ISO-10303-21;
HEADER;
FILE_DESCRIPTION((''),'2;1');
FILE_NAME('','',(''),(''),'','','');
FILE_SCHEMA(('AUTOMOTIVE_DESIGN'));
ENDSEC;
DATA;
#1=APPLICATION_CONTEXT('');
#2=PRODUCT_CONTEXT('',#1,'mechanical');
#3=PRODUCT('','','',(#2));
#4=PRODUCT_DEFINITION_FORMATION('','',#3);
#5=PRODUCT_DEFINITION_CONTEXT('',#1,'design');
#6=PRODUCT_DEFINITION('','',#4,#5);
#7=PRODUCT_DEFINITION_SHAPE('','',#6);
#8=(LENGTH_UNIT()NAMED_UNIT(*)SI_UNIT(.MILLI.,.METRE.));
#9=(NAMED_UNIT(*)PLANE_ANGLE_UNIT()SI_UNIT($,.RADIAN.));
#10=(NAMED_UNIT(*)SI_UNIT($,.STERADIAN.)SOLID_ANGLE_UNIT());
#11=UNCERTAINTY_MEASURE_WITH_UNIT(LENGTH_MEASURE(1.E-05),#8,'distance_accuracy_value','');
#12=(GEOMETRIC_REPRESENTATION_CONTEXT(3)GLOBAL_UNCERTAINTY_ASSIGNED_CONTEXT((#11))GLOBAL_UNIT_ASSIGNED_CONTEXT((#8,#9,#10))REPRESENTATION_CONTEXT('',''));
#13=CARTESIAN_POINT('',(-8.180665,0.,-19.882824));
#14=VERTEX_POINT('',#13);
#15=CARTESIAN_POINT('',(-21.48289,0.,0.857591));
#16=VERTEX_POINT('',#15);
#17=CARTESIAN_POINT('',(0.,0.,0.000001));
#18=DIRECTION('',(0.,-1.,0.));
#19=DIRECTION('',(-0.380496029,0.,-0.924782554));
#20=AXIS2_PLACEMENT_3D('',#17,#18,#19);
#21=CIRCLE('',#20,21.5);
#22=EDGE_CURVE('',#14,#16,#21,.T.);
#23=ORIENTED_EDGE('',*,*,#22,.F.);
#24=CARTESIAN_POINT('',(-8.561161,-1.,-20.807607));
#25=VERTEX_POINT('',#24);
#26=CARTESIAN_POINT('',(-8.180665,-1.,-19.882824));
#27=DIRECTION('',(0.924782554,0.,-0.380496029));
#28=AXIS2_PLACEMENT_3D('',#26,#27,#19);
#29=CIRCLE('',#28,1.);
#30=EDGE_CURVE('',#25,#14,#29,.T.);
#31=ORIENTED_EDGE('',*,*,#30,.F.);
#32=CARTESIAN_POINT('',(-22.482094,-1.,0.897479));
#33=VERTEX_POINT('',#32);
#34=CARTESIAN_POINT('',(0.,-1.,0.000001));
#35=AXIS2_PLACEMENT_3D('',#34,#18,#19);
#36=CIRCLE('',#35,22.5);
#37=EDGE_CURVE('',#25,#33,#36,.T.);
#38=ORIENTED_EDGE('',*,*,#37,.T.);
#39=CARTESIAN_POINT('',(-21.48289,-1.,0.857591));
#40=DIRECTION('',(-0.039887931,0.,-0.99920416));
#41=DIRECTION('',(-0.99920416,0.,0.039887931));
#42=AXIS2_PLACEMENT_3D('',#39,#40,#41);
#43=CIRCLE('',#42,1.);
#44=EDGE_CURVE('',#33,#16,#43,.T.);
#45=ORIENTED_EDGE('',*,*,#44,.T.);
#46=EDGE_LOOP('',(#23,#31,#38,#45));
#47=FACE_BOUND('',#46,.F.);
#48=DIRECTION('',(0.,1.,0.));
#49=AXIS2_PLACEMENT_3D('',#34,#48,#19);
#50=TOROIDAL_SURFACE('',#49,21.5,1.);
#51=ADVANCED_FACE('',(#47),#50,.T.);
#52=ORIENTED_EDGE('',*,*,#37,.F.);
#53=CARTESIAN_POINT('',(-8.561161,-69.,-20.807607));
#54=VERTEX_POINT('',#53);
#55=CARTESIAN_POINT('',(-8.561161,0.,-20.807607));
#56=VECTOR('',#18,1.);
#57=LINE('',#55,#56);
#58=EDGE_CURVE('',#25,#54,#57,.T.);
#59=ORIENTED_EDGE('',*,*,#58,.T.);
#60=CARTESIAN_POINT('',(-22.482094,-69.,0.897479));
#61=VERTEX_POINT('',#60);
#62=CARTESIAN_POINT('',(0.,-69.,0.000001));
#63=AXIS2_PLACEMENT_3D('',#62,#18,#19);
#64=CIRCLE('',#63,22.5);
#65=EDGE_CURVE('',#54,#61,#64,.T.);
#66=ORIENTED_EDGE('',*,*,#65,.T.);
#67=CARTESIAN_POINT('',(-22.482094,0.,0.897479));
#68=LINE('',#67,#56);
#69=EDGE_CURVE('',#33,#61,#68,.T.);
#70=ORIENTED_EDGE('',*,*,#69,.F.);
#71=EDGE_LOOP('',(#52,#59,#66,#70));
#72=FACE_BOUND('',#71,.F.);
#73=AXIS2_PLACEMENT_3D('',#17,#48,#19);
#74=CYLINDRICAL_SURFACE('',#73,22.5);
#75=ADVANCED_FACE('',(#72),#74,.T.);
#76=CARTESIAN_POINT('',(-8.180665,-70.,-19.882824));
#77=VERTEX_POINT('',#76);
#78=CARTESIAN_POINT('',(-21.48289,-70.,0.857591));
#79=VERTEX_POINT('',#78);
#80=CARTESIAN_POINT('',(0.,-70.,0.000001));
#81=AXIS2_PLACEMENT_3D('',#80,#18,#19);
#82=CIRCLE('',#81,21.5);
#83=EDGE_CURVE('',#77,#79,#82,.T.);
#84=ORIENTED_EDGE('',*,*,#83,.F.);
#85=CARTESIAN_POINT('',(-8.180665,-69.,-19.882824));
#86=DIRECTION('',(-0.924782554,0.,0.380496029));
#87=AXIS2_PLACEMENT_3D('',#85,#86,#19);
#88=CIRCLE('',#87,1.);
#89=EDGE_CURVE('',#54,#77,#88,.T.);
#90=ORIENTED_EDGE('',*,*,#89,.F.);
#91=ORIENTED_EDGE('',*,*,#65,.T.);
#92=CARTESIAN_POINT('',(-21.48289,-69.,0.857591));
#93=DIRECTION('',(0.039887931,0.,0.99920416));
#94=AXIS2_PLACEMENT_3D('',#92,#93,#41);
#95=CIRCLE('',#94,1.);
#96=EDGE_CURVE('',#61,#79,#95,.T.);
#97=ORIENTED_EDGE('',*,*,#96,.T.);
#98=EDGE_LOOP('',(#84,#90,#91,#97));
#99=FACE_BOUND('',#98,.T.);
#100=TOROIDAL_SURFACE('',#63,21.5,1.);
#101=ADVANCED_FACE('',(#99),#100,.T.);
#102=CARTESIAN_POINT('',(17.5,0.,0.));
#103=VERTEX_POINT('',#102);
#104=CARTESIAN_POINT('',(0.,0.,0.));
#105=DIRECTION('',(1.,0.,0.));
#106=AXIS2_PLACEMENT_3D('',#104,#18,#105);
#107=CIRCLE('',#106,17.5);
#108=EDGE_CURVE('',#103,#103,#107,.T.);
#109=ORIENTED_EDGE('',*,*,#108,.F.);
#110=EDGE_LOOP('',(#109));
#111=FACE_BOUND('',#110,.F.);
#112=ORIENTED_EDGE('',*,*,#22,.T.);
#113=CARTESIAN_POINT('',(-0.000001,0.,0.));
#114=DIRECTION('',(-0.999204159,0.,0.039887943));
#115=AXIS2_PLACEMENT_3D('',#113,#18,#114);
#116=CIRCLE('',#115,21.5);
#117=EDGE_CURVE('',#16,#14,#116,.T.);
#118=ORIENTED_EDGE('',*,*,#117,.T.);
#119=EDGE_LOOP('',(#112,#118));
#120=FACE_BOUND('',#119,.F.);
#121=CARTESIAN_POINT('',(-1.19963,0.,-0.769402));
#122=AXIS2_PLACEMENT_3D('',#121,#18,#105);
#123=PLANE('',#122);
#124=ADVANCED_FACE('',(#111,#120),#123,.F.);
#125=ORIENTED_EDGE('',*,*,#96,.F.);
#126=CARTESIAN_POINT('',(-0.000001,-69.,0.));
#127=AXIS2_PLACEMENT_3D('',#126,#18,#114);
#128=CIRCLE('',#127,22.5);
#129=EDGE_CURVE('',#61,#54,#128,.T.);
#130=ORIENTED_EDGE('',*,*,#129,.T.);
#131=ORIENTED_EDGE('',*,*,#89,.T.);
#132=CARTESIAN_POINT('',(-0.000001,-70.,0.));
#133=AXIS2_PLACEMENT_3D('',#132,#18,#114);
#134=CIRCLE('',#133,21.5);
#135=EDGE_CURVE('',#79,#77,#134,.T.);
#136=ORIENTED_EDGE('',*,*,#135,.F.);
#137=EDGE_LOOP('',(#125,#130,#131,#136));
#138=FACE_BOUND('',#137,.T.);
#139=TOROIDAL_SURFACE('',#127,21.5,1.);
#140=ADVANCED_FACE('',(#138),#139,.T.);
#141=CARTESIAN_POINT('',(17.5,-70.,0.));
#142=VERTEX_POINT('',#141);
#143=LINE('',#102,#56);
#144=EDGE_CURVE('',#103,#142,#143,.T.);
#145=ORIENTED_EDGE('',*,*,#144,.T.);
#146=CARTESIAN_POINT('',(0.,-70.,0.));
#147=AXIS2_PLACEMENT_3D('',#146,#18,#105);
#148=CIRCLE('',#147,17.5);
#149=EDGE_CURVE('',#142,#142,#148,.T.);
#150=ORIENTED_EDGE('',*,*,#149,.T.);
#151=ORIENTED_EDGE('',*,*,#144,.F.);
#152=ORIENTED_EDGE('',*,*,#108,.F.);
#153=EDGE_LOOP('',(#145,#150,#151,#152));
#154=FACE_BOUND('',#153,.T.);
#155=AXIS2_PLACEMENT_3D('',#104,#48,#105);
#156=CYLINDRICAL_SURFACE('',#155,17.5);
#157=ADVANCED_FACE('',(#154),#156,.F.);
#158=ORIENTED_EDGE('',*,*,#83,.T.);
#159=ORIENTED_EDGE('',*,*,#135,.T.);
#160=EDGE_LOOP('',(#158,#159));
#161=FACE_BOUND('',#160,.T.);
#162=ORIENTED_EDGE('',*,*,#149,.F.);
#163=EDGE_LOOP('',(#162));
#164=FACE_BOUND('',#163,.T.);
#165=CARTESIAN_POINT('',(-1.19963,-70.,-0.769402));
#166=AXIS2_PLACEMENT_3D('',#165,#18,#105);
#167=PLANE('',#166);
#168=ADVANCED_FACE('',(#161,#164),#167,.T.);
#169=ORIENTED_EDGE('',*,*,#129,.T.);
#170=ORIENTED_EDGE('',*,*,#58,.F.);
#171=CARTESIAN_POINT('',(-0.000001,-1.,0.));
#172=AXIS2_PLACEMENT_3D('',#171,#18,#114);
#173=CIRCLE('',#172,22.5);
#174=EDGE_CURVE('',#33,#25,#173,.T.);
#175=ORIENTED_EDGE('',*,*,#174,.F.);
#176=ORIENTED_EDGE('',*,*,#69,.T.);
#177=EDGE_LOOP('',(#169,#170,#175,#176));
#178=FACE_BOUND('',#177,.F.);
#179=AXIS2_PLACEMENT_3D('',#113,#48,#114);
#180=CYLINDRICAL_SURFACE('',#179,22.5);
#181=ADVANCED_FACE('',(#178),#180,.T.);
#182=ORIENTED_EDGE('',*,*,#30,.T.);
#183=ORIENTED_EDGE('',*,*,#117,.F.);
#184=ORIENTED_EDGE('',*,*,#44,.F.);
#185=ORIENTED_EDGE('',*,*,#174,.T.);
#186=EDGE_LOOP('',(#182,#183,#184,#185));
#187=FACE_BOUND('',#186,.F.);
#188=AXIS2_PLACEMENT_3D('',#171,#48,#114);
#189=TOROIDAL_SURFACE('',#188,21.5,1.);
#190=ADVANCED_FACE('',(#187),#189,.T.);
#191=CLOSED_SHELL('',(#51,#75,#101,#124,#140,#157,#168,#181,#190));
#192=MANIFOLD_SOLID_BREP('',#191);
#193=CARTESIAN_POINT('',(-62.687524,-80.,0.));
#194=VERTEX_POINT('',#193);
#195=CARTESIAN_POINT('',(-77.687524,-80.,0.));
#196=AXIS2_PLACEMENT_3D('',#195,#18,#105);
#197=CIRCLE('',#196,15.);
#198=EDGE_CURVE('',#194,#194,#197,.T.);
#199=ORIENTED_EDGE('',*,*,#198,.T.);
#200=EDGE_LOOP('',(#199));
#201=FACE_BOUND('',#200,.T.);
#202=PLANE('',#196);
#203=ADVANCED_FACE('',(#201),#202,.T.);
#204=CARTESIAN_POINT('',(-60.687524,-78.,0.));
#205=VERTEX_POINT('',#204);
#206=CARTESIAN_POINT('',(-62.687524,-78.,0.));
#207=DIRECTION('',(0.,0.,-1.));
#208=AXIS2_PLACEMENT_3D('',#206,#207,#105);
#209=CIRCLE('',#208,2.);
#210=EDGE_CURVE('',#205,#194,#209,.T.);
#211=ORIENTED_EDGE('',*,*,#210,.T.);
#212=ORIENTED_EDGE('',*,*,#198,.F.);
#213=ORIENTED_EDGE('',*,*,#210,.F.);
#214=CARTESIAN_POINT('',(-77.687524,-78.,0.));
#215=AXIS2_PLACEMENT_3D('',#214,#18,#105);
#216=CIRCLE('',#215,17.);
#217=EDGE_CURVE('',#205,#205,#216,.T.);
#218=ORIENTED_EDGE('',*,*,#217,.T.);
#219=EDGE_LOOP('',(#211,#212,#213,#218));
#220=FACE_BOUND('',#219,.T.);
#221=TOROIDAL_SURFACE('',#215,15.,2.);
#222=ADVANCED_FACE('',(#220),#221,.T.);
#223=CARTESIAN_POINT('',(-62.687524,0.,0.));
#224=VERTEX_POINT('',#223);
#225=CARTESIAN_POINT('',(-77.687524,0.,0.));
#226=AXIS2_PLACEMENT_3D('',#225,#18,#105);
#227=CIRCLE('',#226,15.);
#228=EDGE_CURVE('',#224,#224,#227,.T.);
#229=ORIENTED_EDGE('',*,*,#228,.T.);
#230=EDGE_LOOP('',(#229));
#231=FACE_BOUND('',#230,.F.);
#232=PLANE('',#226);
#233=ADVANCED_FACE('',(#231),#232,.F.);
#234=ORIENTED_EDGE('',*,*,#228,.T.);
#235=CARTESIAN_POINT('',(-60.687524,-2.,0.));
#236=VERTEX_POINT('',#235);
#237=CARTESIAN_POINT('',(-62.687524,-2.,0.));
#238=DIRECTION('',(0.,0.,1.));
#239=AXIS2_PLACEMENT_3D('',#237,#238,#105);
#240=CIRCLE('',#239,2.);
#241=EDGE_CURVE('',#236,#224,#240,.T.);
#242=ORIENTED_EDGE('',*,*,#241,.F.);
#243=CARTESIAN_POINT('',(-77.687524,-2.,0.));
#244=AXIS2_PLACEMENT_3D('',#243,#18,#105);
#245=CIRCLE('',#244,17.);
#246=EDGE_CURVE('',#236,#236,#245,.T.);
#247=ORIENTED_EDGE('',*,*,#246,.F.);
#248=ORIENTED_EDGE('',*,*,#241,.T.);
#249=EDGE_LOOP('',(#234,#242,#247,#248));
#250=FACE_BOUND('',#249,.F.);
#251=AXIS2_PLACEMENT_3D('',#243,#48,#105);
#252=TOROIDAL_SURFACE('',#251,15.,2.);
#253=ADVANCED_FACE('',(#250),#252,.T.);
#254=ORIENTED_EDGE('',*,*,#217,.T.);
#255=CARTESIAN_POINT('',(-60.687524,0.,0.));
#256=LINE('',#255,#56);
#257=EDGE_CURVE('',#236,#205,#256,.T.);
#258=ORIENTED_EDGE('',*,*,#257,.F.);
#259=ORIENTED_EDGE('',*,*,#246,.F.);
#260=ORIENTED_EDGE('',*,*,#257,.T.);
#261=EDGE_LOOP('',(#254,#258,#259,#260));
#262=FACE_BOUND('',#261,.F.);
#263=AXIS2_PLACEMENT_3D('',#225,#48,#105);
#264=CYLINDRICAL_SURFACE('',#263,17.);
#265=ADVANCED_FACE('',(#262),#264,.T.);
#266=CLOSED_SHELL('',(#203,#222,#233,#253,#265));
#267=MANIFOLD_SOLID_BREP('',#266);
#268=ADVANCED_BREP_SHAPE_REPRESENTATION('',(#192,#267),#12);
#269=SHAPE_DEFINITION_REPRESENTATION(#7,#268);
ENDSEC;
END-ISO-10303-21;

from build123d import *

# Parameters (mm, degrees)
F0_R     = 17.5
F1_DEPTH = 70
F2_R     = 1
F3_R     = 17
F4_DEPTH = 80
F5_R     = 2


with BuildPart() as f1:
    # F0 (on Front) → F1 (new body)
    with BuildSketch(Plane.XZ):
        with BuildLine():
            ThreePointArc((-8.561161, -20.807607), (18.93934, 12.147074), (-22.482094, 0.897479))
            ThreePointArc((-22.482094, 0.897479), (-18.93934, -12.147074), (-8.561161, -20.807607))
        make_face()
        Circle(F0_R, mode=Mode.SUBTRACT)
    extrude(amount=F1_DEPTH)

    # F2
    f2_edges = [f1.edges().sort_by_distance(p)[0] for p in [
        (22.482094, 0, -0.897479),
        (22.482094, -70, -0.897479),
    ]]
    fillet(f2_edges, radius=F2_R)


with BuildPart() as f4:
    # F3 (on Front) → F4 (new body)
    with BuildSketch(Plane.XZ):
        with Locations((-77.687524, 0)):
            Circle(F3_R)
    extrude(amount=F4_DEPTH)

    # F5
    f5_edges = [f4.edges().sort_by_distance(p)[0] for p in [
        (-94.687524, -80, 0),
        (-94.687524, 0, 0),
    ]]
    fillet(f5_edges, radius=F5_R)


solid = Compound([f1.part, f4.part])
